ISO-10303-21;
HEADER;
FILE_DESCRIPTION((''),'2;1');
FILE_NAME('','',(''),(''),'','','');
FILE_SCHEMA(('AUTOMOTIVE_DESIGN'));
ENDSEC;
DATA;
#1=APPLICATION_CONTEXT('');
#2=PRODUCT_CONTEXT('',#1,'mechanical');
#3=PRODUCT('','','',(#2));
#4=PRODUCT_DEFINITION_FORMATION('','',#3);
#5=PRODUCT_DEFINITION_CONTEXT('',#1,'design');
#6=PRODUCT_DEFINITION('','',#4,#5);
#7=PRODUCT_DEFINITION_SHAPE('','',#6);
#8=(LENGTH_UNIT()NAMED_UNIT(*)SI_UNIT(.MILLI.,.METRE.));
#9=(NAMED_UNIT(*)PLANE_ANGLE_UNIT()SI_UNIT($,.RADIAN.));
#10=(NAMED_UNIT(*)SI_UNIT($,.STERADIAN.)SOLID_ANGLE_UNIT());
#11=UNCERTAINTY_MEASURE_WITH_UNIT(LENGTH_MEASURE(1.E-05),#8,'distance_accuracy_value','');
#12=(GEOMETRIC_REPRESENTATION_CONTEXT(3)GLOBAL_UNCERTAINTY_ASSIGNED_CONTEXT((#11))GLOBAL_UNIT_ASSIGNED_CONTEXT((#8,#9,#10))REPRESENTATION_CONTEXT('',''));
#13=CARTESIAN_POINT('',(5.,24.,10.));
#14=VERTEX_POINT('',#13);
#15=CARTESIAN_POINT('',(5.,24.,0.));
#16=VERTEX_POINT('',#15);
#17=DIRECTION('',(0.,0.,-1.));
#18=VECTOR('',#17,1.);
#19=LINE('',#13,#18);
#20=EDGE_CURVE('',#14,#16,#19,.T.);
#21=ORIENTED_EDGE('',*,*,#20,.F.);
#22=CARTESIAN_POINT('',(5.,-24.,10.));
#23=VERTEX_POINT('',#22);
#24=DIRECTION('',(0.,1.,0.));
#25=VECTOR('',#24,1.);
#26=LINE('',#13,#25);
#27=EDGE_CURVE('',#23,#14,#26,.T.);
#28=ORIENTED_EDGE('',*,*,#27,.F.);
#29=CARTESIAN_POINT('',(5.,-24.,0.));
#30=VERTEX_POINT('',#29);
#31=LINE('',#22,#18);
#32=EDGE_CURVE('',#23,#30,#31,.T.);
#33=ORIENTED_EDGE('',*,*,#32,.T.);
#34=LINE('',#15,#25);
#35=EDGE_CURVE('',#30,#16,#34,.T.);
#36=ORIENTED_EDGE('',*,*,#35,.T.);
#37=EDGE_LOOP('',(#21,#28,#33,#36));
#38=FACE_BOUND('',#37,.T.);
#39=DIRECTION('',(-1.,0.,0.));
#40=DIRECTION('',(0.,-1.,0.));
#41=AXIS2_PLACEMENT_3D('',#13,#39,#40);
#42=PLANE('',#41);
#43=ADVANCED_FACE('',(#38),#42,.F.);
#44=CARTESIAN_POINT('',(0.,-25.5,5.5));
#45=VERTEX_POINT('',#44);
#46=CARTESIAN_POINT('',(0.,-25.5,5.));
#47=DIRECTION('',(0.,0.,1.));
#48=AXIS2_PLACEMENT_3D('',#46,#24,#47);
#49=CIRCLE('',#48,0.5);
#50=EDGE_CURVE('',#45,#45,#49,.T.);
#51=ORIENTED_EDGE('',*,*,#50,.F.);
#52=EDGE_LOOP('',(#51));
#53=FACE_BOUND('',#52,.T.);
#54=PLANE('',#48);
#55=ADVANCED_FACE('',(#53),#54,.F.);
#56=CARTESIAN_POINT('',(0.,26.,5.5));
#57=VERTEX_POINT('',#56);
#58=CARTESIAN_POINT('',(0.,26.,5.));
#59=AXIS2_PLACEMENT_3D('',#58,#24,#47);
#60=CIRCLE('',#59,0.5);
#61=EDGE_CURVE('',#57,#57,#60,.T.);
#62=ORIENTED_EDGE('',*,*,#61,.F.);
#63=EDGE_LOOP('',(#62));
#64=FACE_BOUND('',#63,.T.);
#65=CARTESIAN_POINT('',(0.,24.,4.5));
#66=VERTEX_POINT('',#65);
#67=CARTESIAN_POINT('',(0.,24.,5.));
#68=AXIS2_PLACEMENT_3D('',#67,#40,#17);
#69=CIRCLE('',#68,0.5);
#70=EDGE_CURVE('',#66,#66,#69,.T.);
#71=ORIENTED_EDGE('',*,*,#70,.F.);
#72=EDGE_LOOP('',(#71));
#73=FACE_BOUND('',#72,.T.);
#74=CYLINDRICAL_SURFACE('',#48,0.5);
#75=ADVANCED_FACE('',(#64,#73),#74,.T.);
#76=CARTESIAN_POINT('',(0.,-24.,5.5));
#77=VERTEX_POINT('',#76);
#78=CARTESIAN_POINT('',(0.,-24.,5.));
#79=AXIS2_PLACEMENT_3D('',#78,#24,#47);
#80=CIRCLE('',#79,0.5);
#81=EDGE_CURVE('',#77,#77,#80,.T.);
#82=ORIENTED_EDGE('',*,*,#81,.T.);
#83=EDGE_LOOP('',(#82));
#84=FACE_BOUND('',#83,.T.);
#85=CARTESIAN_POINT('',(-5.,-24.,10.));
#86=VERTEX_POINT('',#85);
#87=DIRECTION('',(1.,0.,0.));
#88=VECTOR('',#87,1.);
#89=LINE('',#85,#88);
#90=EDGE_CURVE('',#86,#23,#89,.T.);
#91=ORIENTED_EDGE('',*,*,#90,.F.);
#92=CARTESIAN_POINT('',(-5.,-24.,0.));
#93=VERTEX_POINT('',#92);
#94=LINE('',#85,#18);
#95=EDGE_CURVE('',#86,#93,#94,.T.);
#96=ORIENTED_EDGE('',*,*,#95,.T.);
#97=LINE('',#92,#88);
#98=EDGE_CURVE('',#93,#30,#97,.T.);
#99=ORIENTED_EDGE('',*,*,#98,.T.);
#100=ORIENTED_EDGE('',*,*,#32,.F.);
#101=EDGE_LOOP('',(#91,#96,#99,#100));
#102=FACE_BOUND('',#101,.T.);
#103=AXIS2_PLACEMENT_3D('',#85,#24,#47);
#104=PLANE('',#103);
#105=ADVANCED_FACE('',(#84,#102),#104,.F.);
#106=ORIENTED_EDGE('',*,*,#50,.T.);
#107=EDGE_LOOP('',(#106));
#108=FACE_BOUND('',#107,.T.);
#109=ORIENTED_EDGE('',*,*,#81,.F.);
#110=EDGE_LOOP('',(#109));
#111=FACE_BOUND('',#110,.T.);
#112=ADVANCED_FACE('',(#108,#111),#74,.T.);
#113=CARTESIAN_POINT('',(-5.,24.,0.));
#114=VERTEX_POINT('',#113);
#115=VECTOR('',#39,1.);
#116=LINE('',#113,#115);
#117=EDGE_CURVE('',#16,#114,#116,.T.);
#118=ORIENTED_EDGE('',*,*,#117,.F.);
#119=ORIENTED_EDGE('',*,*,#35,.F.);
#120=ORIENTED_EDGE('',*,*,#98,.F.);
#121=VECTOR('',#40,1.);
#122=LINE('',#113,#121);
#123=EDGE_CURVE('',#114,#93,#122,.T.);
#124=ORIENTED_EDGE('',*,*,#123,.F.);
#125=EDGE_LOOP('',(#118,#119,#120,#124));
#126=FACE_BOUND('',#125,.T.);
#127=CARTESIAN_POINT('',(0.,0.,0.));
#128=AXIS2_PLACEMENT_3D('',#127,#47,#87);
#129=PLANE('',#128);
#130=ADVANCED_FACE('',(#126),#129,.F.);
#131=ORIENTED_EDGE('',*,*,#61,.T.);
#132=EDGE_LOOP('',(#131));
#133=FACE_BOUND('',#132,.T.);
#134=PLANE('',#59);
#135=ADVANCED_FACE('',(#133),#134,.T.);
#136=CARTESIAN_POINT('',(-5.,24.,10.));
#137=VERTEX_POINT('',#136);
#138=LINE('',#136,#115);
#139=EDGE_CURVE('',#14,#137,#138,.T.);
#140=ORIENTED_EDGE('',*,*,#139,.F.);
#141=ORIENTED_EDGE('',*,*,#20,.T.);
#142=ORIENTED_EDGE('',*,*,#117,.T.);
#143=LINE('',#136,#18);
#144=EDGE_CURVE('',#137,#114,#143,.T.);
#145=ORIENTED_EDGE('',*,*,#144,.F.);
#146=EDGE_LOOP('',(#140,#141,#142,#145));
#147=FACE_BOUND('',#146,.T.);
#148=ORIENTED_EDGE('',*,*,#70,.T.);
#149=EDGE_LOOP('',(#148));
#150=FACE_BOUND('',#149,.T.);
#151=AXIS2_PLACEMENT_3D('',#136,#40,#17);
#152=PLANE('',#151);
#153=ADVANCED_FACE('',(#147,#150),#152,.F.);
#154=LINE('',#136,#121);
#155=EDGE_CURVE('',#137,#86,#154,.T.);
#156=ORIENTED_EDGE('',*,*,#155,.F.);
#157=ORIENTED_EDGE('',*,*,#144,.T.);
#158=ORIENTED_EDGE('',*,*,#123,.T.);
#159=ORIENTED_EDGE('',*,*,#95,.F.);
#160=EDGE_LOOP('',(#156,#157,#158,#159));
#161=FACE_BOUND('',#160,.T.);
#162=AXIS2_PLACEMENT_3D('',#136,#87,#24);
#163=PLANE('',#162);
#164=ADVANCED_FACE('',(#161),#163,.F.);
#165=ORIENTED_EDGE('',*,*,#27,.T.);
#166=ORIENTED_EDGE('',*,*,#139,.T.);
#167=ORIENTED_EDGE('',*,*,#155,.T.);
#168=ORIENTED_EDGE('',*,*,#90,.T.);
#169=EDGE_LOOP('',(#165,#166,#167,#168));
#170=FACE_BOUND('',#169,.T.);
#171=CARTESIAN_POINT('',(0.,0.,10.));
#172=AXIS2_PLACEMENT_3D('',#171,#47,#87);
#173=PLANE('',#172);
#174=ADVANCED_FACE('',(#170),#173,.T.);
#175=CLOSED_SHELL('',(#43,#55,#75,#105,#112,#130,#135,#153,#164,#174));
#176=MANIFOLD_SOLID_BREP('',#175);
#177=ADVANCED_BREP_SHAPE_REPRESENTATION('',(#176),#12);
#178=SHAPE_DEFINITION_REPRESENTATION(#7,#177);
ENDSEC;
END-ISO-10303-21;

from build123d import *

# Parameters (mm, degrees)
SKETCH_1_W           = 10
SKETCH_1_H           = 48
EXTRUDE_1_DEPTH      = 10
EXTRUDE_2_DEPTH      = 2
EXTRUDE_2_DEPTH_BACK = 49.5
SKETCH_2_R           = 0.5


with BuildPart() as part:
    # 草图1 → 凸台-拉伸1 (new body)
    with BuildSketch(Plane.XY):
        Rectangle(SKETCH_1_W, SKETCH_1_H)
    extrude(amount=EXTRUDE_1_DEPTH)

    # 草图2 → 凸台-拉伸2 (add, two sides: drawn at the far end of the back side and taken through both)
    with BuildSketch(Plane(origin=(0, 24, 0), x_dir=(1, 0, 0), z_dir=(0, 1, 0)).offset(-EXTRUDE_2_DEPTH_BACK)):
        with Locations(Location((0, -5, 0), (0, 0, 270))):
            Circle(SKETCH_2_R)
    extrude(amount=EXTRUDE_2_DEPTH + EXTRUDE_2_DEPTH_BACK)


solid = part.part
